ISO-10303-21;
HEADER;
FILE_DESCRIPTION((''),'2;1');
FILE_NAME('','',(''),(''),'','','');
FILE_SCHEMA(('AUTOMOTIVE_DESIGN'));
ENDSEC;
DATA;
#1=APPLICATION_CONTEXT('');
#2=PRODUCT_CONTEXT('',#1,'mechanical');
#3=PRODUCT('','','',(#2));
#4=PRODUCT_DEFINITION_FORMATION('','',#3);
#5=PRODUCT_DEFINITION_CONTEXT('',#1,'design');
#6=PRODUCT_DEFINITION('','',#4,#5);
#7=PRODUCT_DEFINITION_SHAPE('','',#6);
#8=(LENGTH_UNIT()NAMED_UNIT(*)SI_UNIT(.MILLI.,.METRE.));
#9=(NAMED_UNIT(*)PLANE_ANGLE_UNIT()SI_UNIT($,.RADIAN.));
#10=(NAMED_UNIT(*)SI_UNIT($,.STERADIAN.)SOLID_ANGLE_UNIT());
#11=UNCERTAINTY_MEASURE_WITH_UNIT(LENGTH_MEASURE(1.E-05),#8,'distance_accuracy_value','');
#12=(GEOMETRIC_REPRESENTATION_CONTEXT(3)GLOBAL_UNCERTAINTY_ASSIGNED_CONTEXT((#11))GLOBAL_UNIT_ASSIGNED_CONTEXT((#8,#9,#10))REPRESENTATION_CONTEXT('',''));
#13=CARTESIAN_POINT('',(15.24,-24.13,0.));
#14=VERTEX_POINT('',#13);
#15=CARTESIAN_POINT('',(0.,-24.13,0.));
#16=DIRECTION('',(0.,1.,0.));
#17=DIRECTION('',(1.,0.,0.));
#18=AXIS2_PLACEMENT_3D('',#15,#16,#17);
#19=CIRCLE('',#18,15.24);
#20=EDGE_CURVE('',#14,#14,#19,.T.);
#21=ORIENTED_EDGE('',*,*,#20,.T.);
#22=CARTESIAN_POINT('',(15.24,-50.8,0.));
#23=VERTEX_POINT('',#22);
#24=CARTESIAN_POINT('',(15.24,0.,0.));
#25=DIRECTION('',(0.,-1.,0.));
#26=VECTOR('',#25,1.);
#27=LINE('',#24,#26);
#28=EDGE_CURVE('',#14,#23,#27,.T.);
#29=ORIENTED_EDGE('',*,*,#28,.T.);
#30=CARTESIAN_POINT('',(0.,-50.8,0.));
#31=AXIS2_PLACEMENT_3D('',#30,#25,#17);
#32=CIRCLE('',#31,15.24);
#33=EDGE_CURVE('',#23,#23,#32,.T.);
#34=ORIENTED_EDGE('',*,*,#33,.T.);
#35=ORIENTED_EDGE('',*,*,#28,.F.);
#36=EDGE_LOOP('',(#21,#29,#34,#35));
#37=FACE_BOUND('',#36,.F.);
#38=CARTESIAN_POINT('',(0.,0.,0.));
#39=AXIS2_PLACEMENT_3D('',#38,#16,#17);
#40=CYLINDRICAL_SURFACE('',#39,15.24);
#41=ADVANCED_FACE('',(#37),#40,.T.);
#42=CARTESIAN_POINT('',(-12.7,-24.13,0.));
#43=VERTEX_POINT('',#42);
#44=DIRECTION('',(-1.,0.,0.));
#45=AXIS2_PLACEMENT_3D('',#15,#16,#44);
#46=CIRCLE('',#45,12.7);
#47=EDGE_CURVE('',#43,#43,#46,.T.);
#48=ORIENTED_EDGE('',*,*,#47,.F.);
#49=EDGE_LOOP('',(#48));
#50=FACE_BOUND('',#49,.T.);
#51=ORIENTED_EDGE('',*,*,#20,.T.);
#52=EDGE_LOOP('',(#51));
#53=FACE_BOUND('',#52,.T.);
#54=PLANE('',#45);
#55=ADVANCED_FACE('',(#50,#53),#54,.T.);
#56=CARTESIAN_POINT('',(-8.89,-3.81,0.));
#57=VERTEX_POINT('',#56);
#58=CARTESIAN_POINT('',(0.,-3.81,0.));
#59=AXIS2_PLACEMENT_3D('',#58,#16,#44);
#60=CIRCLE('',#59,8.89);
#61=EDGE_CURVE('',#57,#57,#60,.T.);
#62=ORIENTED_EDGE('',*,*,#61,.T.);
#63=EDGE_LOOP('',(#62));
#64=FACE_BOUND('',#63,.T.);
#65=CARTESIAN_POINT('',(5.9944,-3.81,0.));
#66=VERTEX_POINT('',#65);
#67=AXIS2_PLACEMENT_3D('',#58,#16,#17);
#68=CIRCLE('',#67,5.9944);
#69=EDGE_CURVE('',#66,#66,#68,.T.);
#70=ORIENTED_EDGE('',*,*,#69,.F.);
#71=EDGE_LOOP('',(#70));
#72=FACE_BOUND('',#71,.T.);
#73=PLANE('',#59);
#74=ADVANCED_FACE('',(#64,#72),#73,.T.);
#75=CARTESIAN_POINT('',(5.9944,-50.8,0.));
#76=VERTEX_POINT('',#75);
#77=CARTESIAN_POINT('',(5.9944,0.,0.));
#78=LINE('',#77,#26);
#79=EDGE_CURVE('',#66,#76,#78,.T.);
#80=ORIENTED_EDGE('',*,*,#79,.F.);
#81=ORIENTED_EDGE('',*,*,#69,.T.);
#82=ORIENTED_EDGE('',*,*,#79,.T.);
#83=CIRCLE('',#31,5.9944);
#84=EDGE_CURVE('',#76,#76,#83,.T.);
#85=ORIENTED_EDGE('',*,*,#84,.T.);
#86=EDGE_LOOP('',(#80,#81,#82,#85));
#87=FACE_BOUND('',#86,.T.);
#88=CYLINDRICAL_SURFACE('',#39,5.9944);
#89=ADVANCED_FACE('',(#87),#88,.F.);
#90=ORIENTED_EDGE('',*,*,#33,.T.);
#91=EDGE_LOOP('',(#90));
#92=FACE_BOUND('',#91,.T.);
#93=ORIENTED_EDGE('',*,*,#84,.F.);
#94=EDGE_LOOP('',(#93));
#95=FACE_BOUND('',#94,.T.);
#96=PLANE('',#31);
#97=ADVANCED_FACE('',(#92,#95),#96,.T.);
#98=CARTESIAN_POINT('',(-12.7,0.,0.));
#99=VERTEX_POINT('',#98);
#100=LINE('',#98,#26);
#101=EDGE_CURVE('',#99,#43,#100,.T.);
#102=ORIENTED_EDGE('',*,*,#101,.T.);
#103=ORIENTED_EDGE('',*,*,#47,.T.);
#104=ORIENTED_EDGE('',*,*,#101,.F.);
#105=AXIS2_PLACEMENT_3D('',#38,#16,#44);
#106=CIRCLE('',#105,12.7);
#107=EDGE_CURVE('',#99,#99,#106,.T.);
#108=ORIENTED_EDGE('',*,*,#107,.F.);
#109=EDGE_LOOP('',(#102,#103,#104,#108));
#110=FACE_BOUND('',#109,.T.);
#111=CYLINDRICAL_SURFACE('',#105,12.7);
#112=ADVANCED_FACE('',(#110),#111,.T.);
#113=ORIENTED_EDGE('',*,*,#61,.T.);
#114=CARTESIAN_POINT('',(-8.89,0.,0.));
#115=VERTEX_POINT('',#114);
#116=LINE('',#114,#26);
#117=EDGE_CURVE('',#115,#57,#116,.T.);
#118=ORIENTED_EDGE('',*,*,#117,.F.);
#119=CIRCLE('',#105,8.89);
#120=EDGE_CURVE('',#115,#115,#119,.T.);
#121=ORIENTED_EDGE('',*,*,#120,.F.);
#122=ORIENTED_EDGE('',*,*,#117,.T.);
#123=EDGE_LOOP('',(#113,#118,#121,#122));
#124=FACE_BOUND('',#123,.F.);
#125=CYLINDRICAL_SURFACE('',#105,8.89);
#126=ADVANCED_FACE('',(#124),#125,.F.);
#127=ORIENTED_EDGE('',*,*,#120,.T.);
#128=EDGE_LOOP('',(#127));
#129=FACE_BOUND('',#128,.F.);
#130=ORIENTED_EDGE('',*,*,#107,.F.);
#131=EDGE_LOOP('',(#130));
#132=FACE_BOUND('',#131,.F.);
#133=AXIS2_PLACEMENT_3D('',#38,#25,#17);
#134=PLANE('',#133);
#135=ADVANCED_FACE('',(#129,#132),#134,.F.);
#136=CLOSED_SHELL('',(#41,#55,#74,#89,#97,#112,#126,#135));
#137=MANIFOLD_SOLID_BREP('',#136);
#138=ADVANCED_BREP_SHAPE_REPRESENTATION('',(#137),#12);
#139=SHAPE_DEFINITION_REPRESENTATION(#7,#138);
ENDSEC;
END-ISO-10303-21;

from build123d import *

# Parameters (mm, degrees)
F0_R     = 15.24
F0_R_2   = 5.9944
F1_DEPTH = 50.8
F2_R     = 18.435252
F2_R_2   = 12.7
F3_DEPTH = 24.13
F4_R     = 8.89
F5_DEPTH = 3.81


with BuildPart() as f1:
    # F0 (on Front) → F1 (new body)
    with BuildSketch(Plane.XZ):
        Circle(F0_R)
        Circle(F0_R_2, mode=Mode.SUBTRACT)
    extrude(amount=F1_DEPTH)

    # F2 (on face) → F3 (cut)
    with BuildSketch(Plane(origin=(0, 0, 0), x_dir=(-1, 0, 0), z_dir=(0, 1, 0))):
        Circle(F2_R)
        Circle(F2_R_2, mode=Mode.SUBTRACT)
    extrude(amount=-F3_DEPTH, mode=Mode.SUBTRACT)

    # F4 (on face) → F5 (cut)
    with BuildSketch(Plane(origin=(0, 0, 0), x_dir=(-1, 0, 0), z_dir=(0, 1, 0))):
        Circle(F4_R)
    extrude(amount=-F5_DEPTH, mode=Mode.SUBTRACT)


solid = f1.part
